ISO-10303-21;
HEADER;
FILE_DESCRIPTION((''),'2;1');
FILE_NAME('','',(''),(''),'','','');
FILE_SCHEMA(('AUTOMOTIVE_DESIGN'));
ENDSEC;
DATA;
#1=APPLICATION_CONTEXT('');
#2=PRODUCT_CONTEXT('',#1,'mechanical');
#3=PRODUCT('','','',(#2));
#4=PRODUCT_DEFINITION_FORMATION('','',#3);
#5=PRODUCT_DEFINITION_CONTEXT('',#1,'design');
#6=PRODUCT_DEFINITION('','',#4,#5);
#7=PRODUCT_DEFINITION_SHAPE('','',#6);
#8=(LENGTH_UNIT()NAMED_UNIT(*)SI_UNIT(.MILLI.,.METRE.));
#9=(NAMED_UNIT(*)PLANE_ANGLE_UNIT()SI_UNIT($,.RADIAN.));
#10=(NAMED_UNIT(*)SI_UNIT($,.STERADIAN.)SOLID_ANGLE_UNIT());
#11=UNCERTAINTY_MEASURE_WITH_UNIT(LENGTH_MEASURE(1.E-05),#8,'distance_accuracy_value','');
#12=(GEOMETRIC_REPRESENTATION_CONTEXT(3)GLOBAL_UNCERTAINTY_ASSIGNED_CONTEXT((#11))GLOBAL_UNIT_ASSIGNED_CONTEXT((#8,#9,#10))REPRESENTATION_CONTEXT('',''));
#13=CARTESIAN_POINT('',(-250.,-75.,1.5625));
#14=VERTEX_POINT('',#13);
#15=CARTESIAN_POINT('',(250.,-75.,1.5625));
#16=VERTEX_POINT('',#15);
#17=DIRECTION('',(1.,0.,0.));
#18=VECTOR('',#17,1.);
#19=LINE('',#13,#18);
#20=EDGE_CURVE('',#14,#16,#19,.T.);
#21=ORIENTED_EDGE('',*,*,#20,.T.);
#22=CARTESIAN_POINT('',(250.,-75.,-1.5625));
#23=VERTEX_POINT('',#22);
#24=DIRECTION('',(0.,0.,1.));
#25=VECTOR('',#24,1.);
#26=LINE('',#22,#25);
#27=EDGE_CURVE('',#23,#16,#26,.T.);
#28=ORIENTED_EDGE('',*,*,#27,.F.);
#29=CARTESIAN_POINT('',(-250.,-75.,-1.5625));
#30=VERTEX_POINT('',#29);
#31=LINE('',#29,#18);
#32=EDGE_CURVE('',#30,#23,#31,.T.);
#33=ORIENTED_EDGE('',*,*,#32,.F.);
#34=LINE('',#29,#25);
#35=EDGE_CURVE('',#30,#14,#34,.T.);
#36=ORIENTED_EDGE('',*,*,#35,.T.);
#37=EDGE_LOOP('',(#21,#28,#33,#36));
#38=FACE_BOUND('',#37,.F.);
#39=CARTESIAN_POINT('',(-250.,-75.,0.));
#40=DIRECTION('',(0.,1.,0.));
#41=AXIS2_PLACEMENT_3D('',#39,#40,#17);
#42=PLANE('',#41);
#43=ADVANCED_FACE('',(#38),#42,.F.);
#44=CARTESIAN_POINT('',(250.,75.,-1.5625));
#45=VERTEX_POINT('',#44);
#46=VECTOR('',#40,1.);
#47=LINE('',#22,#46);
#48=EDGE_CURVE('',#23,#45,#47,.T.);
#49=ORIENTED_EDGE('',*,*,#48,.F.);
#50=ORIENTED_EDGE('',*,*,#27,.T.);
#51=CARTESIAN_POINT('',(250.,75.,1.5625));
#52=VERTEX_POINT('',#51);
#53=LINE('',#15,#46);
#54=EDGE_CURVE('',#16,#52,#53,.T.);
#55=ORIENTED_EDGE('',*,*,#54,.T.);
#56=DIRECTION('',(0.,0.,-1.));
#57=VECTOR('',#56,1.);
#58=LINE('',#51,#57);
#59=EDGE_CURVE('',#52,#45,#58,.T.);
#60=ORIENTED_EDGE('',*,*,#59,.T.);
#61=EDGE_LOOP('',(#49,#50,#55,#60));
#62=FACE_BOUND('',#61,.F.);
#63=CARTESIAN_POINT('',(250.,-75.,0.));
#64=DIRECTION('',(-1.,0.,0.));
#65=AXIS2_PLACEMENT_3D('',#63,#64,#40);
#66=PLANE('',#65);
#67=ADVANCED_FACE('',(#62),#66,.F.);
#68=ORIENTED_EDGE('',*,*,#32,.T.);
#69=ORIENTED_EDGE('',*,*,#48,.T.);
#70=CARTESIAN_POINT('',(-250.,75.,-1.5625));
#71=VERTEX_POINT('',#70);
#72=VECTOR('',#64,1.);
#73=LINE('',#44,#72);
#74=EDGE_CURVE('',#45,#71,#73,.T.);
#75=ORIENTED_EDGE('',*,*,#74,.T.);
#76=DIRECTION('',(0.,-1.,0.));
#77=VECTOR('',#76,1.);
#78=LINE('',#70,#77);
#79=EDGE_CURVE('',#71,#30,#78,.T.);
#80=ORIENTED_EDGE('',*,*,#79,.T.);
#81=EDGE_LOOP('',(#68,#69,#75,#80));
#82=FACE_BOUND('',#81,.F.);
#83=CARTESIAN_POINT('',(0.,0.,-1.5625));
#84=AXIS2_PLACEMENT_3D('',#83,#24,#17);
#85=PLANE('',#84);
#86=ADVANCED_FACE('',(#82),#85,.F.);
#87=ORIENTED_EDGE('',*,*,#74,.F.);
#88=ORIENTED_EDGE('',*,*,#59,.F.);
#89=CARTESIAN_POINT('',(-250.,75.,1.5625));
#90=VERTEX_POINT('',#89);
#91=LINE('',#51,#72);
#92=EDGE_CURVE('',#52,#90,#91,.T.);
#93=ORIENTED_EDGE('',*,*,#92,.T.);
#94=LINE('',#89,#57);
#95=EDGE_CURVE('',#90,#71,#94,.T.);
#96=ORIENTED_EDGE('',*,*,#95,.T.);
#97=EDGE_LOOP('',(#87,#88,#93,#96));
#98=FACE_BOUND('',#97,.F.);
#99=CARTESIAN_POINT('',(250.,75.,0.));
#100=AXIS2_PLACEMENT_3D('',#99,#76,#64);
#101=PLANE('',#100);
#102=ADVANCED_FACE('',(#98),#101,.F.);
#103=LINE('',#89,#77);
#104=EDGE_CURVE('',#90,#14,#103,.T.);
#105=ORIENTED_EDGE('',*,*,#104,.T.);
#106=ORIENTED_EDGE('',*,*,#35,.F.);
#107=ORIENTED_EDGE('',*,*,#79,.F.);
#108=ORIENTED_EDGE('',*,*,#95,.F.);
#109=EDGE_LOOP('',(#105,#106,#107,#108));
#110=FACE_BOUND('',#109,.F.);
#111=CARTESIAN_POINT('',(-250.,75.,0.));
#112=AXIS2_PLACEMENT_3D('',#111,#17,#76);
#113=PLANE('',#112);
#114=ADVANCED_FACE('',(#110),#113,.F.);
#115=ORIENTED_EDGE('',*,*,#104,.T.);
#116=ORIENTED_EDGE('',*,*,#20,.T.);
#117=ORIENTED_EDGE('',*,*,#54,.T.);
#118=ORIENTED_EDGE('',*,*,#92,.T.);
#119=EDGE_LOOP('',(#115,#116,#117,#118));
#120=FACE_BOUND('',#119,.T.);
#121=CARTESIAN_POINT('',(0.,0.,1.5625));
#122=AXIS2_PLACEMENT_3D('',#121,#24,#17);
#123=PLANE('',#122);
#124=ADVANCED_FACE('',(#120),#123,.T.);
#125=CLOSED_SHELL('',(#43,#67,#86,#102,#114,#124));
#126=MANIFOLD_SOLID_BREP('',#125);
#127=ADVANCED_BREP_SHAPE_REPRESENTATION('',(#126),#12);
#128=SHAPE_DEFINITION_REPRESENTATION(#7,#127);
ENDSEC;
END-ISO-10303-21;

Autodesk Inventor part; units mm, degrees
ref_plane "YZ Plane" through (0, 0, 0) normal (1, 0, 0) x (0, 1, 0)
ref_plane "XZ Plane" through (0, 0, 0) normal (0, 1, 0) x (-1, 0, 0)
ref_plane "XY Plane" through (0, 0, 0) normal (0, 0, 1) x (1, 0, 0)
sketch "Sketch2" plane through (0, 0, 0) normal (0, 0, 1) x (1, 0, 0)
  line L0 (-250, -75) -> (250, -75)
  line L1 (250, -75) -> (250, 75)
  line L2 (250, 75) -> (-250, 75)
  line L3 (-250, 75) -> (-250, -75)
  line L4 (-250, -75) -> (250, 75) construction
  line L5 (250, -75) -> (-250, 75) construction
  point P0 (0, 0)
  dimension "d1" = 500
  dimension "d2" = 150
extrude "Extrusion1" add sketch "Sketch2" along normal mid plane 3.125
equation "\"d1\" = 0.5 * depth"
equation "\"d2\" = height"
equation "\"d3\" = acrylicThickness"
equation "\"height\" = 150"
equation "\"acrylicThickness\" = 3.125"
equation "\"depth\" = 1000"
properties part number "wallPlate" material "Polycarbonate, Smoke"
